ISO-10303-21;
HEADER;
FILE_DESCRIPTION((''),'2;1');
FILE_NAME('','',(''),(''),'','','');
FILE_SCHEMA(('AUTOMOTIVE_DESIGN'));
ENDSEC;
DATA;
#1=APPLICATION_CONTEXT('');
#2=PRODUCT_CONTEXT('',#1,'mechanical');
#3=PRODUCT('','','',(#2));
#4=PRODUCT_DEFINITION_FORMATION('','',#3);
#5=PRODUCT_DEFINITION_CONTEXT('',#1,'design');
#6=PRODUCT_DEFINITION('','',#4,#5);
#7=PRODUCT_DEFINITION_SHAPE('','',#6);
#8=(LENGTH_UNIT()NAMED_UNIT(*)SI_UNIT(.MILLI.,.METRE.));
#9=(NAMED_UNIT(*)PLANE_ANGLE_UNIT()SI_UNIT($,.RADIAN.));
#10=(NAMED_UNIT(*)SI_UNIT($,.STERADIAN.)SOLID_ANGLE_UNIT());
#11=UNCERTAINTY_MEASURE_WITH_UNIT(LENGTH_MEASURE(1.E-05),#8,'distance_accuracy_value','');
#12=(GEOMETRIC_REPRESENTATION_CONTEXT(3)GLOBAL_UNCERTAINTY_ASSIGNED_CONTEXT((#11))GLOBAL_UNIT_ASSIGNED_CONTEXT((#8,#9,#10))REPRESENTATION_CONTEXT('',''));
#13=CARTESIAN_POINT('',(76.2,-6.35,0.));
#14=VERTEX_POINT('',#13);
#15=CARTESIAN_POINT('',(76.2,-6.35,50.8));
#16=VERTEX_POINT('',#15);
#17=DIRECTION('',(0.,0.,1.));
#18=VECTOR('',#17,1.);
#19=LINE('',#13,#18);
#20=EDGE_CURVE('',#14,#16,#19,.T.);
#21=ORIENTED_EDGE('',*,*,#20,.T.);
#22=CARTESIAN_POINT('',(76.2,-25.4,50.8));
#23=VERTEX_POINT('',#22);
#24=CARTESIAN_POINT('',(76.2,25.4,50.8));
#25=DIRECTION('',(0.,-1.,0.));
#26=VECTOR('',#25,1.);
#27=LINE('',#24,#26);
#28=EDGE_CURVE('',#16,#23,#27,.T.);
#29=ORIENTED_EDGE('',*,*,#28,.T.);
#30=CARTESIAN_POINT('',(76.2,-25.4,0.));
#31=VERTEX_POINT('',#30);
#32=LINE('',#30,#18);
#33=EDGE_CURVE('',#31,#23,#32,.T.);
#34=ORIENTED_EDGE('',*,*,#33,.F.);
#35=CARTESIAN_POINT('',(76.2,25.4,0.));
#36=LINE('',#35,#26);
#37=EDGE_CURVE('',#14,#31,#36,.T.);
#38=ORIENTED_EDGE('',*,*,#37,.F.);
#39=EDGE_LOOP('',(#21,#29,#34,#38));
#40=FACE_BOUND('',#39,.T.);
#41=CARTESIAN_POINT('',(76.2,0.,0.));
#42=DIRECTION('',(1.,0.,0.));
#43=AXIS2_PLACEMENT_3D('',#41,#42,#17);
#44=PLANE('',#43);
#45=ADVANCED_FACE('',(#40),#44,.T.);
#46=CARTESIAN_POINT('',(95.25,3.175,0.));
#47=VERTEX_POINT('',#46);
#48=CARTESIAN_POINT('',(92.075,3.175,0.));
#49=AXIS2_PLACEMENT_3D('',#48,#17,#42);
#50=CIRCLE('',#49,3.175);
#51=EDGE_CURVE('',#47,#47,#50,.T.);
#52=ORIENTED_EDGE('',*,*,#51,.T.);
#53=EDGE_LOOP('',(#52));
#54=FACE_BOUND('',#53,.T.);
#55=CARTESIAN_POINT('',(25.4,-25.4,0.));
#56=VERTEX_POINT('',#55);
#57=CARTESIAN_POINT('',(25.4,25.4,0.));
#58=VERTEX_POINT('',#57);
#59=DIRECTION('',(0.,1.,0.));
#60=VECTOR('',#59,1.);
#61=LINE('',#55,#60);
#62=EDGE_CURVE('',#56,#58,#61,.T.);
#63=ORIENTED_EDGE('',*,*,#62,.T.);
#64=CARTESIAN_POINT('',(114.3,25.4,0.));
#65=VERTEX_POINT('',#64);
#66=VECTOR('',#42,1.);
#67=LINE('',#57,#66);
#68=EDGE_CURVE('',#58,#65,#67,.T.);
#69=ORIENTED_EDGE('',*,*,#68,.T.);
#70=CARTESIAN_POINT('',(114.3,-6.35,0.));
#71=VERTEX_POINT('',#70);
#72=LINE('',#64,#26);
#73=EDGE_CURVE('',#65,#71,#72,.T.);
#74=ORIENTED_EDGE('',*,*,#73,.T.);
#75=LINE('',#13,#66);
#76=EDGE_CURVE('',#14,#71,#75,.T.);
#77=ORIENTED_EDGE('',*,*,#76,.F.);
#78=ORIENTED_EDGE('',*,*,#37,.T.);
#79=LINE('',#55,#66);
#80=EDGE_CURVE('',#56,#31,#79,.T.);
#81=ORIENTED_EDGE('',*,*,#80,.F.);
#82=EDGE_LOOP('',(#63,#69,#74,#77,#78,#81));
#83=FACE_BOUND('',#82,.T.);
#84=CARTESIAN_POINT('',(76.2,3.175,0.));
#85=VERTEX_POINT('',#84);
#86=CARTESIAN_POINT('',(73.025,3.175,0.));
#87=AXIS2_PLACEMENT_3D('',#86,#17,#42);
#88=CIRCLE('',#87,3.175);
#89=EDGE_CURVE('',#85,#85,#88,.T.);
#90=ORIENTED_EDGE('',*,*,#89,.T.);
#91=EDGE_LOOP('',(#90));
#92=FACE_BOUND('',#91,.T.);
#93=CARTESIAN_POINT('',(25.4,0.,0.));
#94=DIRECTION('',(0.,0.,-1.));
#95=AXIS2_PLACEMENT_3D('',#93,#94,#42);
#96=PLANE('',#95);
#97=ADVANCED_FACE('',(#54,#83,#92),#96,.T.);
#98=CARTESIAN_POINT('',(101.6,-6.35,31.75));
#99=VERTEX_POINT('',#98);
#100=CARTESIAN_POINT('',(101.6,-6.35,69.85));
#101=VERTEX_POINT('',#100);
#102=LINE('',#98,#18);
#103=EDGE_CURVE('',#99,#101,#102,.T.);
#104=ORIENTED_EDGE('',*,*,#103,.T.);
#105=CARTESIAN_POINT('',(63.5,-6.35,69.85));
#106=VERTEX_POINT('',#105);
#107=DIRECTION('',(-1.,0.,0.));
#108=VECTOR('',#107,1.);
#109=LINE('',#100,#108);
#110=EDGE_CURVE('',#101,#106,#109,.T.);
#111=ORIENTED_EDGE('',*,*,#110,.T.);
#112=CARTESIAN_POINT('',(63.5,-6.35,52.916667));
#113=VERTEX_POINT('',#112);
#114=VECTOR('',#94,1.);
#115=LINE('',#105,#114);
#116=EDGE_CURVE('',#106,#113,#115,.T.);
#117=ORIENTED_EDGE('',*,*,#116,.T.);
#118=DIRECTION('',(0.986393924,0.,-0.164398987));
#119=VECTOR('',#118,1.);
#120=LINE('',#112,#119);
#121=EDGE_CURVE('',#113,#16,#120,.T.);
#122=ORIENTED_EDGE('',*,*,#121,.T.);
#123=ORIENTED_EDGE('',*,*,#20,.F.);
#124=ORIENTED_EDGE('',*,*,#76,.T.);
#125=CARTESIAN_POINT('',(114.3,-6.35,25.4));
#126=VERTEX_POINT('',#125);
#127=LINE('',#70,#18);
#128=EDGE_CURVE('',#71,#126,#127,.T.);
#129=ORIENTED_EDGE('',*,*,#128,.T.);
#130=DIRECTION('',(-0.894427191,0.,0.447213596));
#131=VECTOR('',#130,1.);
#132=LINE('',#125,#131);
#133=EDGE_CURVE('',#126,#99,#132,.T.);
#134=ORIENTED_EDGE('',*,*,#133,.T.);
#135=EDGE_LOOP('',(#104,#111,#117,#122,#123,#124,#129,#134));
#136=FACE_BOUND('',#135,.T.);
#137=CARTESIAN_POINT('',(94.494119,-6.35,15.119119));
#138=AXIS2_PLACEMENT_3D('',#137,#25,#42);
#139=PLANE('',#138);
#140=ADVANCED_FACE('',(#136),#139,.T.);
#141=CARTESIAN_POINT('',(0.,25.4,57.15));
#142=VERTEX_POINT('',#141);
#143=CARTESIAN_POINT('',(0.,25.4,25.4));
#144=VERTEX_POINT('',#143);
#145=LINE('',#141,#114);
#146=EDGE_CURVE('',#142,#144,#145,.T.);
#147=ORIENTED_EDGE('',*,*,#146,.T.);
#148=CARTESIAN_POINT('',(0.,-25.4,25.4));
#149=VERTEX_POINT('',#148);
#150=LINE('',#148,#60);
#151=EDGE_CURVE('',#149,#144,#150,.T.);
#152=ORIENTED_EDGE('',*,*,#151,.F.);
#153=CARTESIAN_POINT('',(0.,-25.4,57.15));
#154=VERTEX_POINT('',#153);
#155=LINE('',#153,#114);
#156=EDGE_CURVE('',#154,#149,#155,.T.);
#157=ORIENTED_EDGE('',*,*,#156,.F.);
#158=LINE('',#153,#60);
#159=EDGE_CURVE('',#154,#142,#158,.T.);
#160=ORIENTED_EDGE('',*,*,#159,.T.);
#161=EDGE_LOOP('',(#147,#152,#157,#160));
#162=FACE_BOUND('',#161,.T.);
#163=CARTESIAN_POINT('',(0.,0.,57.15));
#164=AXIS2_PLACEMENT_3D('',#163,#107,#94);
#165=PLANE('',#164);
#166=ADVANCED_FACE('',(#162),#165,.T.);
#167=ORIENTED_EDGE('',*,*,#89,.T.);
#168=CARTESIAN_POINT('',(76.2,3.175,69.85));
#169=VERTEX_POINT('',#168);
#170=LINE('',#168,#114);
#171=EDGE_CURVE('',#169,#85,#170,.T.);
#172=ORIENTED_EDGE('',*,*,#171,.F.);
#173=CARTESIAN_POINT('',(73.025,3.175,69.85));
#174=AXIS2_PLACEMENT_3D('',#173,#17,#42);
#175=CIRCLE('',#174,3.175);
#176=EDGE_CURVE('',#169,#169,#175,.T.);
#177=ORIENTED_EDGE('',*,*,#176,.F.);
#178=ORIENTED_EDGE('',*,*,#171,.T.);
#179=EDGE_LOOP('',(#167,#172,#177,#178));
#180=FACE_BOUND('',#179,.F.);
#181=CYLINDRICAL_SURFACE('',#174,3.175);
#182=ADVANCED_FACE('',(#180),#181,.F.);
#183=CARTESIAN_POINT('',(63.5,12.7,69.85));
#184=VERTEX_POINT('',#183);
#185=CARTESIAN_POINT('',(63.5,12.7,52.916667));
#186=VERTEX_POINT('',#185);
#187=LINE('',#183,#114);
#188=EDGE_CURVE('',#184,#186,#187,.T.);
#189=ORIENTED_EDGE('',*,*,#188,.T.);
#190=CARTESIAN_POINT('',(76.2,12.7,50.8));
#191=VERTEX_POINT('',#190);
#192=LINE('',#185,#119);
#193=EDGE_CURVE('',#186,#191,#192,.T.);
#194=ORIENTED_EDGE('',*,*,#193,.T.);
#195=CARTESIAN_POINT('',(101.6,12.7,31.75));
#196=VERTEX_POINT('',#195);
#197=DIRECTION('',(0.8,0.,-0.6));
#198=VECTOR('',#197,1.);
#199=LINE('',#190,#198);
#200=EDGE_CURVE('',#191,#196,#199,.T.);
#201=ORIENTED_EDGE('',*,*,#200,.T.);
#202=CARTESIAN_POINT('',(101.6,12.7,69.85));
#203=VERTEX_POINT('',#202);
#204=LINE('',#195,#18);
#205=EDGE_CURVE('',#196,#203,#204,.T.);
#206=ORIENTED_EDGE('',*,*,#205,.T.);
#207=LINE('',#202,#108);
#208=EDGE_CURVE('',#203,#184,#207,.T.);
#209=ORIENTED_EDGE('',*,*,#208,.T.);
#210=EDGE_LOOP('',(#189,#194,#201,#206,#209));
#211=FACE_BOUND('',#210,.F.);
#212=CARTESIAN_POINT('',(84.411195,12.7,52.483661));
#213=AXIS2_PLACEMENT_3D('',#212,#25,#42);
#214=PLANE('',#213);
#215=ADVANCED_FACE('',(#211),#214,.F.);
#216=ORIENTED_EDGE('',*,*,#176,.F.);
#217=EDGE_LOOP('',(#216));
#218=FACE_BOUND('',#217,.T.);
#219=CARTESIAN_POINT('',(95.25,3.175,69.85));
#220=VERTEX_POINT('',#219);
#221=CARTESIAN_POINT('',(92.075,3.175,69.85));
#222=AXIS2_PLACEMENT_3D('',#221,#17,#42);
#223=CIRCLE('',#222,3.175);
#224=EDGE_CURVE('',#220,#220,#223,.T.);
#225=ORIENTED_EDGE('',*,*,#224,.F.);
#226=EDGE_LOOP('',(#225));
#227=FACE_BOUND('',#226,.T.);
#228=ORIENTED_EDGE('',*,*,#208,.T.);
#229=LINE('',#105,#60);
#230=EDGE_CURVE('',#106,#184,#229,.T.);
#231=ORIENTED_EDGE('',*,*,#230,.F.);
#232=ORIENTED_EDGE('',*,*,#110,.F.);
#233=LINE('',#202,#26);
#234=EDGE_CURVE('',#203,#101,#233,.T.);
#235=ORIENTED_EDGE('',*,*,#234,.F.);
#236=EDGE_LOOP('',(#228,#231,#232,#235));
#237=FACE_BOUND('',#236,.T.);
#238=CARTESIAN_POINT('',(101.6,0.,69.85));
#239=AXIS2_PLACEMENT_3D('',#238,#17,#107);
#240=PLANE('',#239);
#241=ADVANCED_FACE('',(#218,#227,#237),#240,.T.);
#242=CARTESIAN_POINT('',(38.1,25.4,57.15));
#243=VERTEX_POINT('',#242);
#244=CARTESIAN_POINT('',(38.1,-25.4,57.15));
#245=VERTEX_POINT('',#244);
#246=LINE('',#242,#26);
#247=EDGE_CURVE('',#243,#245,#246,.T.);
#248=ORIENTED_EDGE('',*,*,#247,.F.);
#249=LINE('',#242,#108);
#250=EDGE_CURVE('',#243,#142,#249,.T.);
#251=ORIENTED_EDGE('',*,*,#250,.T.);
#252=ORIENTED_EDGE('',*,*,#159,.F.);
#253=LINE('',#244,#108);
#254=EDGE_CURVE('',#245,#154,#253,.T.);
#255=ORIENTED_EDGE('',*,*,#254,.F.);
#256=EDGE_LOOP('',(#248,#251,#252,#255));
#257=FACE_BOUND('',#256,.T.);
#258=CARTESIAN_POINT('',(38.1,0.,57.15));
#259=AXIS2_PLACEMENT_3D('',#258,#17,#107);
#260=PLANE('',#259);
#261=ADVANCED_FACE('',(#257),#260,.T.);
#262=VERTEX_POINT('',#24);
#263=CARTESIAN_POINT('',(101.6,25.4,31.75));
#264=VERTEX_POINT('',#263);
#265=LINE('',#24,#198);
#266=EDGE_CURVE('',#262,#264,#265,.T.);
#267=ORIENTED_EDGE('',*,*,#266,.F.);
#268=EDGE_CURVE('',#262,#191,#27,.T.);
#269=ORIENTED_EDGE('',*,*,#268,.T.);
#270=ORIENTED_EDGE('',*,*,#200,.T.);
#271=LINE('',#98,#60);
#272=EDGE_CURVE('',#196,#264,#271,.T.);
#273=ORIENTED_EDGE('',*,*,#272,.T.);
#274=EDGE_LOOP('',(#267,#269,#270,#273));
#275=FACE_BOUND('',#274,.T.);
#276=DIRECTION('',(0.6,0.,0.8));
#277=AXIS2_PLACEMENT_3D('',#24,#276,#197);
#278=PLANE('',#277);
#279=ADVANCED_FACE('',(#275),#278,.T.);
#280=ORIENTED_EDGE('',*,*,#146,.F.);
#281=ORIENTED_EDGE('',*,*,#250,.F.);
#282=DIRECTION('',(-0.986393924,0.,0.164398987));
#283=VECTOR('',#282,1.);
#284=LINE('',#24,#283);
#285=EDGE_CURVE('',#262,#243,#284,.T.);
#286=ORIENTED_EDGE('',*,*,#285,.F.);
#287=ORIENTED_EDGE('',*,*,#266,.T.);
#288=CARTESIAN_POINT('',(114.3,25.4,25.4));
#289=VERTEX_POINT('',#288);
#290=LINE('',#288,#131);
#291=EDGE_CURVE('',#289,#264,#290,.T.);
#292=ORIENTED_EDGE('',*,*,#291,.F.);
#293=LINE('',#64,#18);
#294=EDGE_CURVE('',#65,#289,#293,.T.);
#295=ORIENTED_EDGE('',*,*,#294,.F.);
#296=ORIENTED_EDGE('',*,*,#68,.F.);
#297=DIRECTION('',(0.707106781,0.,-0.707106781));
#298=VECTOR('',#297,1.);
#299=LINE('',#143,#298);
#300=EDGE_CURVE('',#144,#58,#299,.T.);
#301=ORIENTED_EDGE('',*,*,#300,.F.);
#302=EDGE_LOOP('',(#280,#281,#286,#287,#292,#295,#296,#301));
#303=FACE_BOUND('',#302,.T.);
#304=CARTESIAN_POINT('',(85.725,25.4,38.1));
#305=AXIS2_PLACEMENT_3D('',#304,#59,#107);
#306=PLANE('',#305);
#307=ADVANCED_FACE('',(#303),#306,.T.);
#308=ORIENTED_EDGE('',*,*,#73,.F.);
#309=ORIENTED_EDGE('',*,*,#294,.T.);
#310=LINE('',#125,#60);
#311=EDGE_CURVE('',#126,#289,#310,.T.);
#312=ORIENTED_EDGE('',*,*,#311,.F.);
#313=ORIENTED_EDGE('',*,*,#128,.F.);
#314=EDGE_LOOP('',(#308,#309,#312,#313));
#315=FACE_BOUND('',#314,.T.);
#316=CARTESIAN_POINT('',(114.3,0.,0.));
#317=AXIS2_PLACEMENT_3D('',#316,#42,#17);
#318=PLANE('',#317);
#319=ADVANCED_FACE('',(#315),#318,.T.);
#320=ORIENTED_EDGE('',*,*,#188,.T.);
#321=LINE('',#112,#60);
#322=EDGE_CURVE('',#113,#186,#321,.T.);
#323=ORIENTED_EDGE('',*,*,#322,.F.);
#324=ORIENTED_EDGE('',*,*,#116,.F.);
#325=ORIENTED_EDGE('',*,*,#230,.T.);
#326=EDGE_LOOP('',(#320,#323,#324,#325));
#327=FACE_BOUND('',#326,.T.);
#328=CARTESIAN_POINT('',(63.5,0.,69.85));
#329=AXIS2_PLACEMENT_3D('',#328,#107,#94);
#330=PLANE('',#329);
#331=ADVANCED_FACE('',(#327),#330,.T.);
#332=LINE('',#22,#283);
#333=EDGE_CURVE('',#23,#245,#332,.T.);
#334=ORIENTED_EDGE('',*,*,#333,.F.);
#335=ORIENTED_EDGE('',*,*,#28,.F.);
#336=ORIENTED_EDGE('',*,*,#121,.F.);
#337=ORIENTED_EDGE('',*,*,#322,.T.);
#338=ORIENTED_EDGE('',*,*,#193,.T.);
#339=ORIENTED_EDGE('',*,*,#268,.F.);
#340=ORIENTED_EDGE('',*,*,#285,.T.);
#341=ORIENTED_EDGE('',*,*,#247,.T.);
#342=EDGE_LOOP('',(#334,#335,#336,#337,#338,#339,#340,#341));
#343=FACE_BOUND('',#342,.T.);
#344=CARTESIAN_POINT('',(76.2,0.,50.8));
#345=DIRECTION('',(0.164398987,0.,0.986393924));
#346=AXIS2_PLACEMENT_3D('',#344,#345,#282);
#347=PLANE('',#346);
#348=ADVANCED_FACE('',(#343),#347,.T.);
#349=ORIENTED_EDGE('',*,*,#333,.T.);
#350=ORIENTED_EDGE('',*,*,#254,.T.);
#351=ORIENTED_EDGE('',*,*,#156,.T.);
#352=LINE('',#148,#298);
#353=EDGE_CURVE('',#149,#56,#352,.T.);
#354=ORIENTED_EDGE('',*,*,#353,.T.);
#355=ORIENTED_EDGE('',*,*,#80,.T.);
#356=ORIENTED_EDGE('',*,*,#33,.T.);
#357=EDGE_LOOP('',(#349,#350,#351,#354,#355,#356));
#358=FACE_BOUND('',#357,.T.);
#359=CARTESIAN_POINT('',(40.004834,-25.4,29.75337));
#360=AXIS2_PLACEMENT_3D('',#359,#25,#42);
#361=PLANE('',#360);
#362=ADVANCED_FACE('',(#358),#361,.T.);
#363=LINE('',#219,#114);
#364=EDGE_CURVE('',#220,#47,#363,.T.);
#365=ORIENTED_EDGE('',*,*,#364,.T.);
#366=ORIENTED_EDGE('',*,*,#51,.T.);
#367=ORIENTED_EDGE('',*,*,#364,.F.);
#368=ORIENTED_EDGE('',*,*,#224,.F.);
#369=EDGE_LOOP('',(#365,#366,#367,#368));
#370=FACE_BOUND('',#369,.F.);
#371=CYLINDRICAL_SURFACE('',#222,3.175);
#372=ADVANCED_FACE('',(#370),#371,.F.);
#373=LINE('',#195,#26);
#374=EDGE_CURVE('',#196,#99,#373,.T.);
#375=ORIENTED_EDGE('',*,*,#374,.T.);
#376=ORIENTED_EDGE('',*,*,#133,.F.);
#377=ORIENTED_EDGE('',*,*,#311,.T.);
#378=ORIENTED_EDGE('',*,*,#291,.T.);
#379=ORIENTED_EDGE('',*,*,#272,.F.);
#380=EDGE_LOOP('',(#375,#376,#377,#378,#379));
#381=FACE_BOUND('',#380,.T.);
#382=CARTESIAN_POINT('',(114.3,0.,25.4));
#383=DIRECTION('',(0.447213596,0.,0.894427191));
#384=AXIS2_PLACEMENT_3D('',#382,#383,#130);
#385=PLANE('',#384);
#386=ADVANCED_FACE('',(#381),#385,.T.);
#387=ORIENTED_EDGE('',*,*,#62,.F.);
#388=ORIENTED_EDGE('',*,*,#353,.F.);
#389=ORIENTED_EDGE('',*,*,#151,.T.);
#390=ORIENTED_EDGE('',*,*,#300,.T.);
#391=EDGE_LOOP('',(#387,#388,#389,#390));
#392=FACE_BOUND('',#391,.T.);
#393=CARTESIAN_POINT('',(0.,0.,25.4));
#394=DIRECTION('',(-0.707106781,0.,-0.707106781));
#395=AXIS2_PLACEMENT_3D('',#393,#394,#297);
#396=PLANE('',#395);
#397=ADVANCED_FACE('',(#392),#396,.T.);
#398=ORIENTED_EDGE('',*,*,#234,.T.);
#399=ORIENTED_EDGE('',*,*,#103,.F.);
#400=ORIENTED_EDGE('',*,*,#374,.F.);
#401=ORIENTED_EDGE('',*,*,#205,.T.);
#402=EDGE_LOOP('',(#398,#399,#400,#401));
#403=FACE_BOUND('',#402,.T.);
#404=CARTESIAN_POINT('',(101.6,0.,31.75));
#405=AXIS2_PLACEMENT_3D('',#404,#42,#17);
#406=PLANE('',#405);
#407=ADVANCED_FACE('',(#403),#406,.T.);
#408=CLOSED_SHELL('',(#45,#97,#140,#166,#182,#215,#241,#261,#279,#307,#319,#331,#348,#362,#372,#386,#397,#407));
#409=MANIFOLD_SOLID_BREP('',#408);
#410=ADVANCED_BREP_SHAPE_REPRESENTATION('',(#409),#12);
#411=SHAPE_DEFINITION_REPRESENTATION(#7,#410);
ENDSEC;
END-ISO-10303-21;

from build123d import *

# Parameters (mm, degrees)
F1_DEPTH      = 25.4
F3_DEPTH      = 6.35
F3_DEPTH_BACK = 12.7
F4_DEPTH      = 6.35
F4_DEPTH_BACK = 25.4
F7_DEPTH      = 12.7
F8_R          = 3.175
F9_DEPTH      = 69.851


with BuildPart() as f1:
    # F0 (on Front) → F1 (new body, symmetric)
    with BuildSketch(Plane.XZ):
        Polygon((25.4, 0), (76.2, 0), (76.2, 50.8), (38.1, 57.15), (0, 57.15), (0, 25.4), align=None)
    extrude(amount=F1_DEPTH, both=True)


with BuildPart() as f3:
    # F2 (on Front) → F3 (new body, two sides)
    with BuildSketch(Plane.XZ) as f3_sk:
        Polygon((76.2, 50.8), (76.2, 31.75), (101.6, 31.75), (101.6, 69.85), (63.5, 69.85), (63.5, 52.9166666667), align=None)
    extrude(amount=F3_DEPTH)
    extrude(f3_sk.sketch, amount=-F3_DEPTH_BACK)


with BuildPart() as f4:
    # F2 (on Front) → F4 (new body, two sides)
    with BuildSketch(Plane.XZ) as f4_sk:
        Polygon((76.2, 31.75), (76.2, 0), (114.3, 0), (114.3, 25.4), (101.6, 31.75), align=None)
    extrude(amount=F4_DEPTH)
    extrude(f4_sk.sketch, amount=-F4_DEPTH_BACK)


with BuildPart() as f3_1:
    add(f3.part)

    # F5: union F4, F1
    add(f4.part)
    add(f1.part)

    # F6 (on face) → F7 (join, through all)
    with BuildSketch(Plane(origin=(0, 25.4, 0), x_dir=(-1, 0, 0), z_dir=(0, 1, 0))):
        Polygon((-76.2, 31.75), (-76.2, 50.8), (-101.6, 31.75), align=None)
    extrude(amount=-F7_DEPTH)

    # F8 (on face) → F9 (cut, through all)
    with BuildSketch(Plane.XY.offset(69.85)):
        with Locations((92.075, 3.175)):
            Circle(F8_R)
        with Locations((73.025, 3.175)):
            Circle(F8_R)
    extrude(amount=-F9_DEPTH, mode=Mode.SUBTRACT)


solid = f3_1.part
